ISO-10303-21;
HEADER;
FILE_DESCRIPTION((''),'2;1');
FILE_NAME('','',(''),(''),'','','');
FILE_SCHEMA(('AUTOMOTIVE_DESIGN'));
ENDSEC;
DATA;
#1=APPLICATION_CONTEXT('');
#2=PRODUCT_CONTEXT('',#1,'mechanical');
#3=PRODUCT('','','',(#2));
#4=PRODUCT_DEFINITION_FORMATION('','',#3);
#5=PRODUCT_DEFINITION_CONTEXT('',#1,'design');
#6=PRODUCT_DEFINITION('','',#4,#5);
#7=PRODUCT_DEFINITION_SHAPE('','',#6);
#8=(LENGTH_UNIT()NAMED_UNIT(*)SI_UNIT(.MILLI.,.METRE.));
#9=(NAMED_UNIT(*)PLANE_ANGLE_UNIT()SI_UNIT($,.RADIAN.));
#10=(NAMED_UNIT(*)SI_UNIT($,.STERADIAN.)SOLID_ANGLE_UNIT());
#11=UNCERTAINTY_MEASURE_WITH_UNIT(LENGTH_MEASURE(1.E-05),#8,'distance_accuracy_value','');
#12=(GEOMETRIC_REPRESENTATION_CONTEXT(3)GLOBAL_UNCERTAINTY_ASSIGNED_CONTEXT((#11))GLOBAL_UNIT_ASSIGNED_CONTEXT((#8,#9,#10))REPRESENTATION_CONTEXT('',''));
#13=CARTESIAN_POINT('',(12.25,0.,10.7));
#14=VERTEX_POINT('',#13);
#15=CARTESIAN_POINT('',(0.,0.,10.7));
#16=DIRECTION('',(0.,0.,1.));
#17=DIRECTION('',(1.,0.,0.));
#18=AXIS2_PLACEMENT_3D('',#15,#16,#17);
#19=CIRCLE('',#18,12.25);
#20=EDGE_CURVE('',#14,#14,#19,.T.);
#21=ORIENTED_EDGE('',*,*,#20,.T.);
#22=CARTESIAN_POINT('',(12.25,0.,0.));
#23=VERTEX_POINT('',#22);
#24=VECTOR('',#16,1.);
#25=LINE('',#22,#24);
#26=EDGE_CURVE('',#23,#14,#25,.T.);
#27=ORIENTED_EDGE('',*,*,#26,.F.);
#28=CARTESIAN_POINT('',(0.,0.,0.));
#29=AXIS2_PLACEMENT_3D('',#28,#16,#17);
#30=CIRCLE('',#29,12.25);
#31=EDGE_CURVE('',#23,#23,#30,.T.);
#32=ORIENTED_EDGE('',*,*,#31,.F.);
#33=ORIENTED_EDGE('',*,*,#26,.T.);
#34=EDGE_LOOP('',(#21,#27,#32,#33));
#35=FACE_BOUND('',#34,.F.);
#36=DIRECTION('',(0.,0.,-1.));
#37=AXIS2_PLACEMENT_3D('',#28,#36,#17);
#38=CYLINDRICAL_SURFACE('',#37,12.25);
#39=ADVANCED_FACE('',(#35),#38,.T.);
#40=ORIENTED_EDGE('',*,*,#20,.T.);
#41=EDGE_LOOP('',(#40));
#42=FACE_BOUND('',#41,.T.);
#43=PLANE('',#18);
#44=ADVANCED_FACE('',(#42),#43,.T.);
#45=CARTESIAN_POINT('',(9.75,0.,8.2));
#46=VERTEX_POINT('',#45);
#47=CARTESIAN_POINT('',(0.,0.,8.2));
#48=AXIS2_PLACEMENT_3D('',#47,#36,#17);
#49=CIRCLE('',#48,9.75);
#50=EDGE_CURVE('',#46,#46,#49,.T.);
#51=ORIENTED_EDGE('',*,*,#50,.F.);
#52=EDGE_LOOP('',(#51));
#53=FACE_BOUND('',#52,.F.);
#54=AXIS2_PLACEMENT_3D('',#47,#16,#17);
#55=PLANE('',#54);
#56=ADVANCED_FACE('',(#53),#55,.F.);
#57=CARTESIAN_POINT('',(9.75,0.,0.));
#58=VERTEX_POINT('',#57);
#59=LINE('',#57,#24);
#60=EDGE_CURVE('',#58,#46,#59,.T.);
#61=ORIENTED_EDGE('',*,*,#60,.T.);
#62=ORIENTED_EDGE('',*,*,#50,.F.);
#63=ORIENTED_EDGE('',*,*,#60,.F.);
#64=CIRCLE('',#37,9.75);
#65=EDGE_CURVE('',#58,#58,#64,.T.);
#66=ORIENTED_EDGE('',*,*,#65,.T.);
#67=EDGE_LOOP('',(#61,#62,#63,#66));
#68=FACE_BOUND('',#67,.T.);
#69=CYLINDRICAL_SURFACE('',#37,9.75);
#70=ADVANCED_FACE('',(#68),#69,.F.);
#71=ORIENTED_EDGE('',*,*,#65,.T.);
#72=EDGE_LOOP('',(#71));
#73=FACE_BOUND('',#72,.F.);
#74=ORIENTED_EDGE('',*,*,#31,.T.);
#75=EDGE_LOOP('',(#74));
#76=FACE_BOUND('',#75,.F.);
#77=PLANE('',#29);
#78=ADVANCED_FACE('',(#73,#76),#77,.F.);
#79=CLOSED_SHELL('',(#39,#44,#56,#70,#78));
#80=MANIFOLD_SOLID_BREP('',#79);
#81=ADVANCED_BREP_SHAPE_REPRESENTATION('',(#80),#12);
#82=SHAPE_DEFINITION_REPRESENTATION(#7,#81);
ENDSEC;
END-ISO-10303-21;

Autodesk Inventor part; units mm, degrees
ref_plane "YZ Plane" through (0, 0, 0) normal (1, 0, 0) x (0, 1, 0)
ref_plane "XZ Plane" through (0, 0, 0) normal (0, 1, 0) x (-1, 0, 0)
ref_plane "XY Plane" through (0, 0, 0) normal (0, 0, 1) x (1, 0, 0)
sketch "Sketch1" plane through (0, 0, 0) normal (0, 0, 1) x (1, 0, 0)
  circle A0 centre (0, 0) radius 12.25
  dimension "d0" = 24.5
extrude "Extrusion1" add sketch "Sketch1" along normal blind 10.7
shell "Shell1" thickness 2.5 removed faces 1 at (-1.448, 5.7724, 0)
properties part number "bottleCap"
